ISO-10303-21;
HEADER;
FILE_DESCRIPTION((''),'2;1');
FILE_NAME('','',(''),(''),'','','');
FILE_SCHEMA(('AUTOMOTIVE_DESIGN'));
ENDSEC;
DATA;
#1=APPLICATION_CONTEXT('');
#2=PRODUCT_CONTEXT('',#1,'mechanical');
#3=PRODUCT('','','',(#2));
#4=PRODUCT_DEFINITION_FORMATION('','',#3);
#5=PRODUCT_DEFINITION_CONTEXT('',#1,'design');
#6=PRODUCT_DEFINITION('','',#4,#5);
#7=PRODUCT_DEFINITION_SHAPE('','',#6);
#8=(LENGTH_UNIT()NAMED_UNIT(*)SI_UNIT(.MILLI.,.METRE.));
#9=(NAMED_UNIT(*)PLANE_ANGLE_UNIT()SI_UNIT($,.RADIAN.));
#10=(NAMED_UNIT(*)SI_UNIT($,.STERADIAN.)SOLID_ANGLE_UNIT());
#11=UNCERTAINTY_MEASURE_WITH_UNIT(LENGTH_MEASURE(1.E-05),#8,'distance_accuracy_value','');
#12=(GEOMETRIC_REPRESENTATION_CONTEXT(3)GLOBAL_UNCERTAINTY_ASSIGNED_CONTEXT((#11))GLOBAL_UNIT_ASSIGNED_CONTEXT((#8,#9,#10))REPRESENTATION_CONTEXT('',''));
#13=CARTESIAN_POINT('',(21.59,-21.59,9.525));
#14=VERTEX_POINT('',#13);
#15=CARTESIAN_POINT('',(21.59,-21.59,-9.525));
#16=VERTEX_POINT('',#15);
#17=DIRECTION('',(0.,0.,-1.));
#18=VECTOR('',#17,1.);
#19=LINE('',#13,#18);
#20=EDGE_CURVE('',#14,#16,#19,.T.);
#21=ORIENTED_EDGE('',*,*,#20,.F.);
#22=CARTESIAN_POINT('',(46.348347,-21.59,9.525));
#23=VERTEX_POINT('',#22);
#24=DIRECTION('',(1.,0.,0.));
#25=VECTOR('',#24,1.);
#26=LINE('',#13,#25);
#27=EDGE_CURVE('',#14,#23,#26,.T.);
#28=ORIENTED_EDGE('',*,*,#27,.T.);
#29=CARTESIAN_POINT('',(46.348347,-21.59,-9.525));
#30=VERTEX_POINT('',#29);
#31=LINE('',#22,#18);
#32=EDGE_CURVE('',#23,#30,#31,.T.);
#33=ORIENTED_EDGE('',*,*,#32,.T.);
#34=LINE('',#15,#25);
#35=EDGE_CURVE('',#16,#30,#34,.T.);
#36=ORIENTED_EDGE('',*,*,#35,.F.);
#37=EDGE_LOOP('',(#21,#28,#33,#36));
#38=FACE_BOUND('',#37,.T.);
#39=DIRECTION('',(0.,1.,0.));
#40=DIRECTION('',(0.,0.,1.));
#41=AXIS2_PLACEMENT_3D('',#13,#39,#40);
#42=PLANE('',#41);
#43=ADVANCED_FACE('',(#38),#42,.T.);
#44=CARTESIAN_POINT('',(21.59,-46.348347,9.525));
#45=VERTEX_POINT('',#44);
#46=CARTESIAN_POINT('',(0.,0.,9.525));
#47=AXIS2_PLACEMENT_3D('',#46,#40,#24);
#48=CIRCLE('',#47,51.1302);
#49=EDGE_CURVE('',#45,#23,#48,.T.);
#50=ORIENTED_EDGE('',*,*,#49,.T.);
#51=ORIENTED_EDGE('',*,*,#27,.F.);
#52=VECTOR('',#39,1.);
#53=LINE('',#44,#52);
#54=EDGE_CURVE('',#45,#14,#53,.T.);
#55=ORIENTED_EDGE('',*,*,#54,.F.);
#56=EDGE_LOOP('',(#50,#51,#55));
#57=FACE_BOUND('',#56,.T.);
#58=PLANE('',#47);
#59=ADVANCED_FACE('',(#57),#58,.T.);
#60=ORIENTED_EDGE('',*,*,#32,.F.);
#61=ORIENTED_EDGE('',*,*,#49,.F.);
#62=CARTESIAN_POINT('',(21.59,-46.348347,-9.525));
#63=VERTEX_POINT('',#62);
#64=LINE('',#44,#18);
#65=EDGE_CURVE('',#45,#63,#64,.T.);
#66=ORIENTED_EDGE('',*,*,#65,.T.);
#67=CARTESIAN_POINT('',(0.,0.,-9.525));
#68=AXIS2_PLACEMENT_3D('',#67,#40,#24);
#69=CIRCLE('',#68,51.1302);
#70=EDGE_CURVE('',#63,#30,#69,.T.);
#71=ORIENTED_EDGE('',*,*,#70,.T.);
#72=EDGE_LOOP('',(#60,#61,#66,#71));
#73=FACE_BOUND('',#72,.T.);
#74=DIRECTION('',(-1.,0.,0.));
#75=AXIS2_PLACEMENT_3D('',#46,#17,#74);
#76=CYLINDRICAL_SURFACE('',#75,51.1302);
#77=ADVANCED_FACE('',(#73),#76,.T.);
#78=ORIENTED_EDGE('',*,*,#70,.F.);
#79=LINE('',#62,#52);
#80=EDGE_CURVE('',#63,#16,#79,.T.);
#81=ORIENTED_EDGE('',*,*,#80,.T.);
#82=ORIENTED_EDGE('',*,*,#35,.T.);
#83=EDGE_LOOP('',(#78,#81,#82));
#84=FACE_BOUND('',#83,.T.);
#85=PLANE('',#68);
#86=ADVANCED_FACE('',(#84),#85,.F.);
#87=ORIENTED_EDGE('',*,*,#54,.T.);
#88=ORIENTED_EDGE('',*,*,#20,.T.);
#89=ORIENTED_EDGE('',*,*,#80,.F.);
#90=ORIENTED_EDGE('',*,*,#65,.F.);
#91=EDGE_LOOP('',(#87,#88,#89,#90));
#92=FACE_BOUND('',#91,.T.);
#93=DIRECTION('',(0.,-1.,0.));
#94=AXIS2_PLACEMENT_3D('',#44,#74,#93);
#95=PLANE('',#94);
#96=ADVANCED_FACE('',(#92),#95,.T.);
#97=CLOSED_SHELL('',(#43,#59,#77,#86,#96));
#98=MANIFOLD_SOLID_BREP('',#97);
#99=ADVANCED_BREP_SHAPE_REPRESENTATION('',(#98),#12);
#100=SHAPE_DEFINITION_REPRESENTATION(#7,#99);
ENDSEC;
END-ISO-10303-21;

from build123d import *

# Parameters (mm, degrees)
BOSS_EXTRUDE1_DEPTH = 9.525


with BuildPart() as part:
    # Sketch1 → Boss-Extrude1 (new, symmetric)
    with BuildSketch(Plane.XY):
        with BuildLine():
            Line((21.59, -21.59), (46.34834681, -21.59))
            ThreePointArc((46.34834681, -21.59), (36.154511143, -36.154511143), (21.59, -46.34834681))
            Line((21.59, -46.34834681), (21.59, -21.59))
        make_face()
    extrude(amount=BOSS_EXTRUDE1_DEPTH, both=True)


solid = part.part
